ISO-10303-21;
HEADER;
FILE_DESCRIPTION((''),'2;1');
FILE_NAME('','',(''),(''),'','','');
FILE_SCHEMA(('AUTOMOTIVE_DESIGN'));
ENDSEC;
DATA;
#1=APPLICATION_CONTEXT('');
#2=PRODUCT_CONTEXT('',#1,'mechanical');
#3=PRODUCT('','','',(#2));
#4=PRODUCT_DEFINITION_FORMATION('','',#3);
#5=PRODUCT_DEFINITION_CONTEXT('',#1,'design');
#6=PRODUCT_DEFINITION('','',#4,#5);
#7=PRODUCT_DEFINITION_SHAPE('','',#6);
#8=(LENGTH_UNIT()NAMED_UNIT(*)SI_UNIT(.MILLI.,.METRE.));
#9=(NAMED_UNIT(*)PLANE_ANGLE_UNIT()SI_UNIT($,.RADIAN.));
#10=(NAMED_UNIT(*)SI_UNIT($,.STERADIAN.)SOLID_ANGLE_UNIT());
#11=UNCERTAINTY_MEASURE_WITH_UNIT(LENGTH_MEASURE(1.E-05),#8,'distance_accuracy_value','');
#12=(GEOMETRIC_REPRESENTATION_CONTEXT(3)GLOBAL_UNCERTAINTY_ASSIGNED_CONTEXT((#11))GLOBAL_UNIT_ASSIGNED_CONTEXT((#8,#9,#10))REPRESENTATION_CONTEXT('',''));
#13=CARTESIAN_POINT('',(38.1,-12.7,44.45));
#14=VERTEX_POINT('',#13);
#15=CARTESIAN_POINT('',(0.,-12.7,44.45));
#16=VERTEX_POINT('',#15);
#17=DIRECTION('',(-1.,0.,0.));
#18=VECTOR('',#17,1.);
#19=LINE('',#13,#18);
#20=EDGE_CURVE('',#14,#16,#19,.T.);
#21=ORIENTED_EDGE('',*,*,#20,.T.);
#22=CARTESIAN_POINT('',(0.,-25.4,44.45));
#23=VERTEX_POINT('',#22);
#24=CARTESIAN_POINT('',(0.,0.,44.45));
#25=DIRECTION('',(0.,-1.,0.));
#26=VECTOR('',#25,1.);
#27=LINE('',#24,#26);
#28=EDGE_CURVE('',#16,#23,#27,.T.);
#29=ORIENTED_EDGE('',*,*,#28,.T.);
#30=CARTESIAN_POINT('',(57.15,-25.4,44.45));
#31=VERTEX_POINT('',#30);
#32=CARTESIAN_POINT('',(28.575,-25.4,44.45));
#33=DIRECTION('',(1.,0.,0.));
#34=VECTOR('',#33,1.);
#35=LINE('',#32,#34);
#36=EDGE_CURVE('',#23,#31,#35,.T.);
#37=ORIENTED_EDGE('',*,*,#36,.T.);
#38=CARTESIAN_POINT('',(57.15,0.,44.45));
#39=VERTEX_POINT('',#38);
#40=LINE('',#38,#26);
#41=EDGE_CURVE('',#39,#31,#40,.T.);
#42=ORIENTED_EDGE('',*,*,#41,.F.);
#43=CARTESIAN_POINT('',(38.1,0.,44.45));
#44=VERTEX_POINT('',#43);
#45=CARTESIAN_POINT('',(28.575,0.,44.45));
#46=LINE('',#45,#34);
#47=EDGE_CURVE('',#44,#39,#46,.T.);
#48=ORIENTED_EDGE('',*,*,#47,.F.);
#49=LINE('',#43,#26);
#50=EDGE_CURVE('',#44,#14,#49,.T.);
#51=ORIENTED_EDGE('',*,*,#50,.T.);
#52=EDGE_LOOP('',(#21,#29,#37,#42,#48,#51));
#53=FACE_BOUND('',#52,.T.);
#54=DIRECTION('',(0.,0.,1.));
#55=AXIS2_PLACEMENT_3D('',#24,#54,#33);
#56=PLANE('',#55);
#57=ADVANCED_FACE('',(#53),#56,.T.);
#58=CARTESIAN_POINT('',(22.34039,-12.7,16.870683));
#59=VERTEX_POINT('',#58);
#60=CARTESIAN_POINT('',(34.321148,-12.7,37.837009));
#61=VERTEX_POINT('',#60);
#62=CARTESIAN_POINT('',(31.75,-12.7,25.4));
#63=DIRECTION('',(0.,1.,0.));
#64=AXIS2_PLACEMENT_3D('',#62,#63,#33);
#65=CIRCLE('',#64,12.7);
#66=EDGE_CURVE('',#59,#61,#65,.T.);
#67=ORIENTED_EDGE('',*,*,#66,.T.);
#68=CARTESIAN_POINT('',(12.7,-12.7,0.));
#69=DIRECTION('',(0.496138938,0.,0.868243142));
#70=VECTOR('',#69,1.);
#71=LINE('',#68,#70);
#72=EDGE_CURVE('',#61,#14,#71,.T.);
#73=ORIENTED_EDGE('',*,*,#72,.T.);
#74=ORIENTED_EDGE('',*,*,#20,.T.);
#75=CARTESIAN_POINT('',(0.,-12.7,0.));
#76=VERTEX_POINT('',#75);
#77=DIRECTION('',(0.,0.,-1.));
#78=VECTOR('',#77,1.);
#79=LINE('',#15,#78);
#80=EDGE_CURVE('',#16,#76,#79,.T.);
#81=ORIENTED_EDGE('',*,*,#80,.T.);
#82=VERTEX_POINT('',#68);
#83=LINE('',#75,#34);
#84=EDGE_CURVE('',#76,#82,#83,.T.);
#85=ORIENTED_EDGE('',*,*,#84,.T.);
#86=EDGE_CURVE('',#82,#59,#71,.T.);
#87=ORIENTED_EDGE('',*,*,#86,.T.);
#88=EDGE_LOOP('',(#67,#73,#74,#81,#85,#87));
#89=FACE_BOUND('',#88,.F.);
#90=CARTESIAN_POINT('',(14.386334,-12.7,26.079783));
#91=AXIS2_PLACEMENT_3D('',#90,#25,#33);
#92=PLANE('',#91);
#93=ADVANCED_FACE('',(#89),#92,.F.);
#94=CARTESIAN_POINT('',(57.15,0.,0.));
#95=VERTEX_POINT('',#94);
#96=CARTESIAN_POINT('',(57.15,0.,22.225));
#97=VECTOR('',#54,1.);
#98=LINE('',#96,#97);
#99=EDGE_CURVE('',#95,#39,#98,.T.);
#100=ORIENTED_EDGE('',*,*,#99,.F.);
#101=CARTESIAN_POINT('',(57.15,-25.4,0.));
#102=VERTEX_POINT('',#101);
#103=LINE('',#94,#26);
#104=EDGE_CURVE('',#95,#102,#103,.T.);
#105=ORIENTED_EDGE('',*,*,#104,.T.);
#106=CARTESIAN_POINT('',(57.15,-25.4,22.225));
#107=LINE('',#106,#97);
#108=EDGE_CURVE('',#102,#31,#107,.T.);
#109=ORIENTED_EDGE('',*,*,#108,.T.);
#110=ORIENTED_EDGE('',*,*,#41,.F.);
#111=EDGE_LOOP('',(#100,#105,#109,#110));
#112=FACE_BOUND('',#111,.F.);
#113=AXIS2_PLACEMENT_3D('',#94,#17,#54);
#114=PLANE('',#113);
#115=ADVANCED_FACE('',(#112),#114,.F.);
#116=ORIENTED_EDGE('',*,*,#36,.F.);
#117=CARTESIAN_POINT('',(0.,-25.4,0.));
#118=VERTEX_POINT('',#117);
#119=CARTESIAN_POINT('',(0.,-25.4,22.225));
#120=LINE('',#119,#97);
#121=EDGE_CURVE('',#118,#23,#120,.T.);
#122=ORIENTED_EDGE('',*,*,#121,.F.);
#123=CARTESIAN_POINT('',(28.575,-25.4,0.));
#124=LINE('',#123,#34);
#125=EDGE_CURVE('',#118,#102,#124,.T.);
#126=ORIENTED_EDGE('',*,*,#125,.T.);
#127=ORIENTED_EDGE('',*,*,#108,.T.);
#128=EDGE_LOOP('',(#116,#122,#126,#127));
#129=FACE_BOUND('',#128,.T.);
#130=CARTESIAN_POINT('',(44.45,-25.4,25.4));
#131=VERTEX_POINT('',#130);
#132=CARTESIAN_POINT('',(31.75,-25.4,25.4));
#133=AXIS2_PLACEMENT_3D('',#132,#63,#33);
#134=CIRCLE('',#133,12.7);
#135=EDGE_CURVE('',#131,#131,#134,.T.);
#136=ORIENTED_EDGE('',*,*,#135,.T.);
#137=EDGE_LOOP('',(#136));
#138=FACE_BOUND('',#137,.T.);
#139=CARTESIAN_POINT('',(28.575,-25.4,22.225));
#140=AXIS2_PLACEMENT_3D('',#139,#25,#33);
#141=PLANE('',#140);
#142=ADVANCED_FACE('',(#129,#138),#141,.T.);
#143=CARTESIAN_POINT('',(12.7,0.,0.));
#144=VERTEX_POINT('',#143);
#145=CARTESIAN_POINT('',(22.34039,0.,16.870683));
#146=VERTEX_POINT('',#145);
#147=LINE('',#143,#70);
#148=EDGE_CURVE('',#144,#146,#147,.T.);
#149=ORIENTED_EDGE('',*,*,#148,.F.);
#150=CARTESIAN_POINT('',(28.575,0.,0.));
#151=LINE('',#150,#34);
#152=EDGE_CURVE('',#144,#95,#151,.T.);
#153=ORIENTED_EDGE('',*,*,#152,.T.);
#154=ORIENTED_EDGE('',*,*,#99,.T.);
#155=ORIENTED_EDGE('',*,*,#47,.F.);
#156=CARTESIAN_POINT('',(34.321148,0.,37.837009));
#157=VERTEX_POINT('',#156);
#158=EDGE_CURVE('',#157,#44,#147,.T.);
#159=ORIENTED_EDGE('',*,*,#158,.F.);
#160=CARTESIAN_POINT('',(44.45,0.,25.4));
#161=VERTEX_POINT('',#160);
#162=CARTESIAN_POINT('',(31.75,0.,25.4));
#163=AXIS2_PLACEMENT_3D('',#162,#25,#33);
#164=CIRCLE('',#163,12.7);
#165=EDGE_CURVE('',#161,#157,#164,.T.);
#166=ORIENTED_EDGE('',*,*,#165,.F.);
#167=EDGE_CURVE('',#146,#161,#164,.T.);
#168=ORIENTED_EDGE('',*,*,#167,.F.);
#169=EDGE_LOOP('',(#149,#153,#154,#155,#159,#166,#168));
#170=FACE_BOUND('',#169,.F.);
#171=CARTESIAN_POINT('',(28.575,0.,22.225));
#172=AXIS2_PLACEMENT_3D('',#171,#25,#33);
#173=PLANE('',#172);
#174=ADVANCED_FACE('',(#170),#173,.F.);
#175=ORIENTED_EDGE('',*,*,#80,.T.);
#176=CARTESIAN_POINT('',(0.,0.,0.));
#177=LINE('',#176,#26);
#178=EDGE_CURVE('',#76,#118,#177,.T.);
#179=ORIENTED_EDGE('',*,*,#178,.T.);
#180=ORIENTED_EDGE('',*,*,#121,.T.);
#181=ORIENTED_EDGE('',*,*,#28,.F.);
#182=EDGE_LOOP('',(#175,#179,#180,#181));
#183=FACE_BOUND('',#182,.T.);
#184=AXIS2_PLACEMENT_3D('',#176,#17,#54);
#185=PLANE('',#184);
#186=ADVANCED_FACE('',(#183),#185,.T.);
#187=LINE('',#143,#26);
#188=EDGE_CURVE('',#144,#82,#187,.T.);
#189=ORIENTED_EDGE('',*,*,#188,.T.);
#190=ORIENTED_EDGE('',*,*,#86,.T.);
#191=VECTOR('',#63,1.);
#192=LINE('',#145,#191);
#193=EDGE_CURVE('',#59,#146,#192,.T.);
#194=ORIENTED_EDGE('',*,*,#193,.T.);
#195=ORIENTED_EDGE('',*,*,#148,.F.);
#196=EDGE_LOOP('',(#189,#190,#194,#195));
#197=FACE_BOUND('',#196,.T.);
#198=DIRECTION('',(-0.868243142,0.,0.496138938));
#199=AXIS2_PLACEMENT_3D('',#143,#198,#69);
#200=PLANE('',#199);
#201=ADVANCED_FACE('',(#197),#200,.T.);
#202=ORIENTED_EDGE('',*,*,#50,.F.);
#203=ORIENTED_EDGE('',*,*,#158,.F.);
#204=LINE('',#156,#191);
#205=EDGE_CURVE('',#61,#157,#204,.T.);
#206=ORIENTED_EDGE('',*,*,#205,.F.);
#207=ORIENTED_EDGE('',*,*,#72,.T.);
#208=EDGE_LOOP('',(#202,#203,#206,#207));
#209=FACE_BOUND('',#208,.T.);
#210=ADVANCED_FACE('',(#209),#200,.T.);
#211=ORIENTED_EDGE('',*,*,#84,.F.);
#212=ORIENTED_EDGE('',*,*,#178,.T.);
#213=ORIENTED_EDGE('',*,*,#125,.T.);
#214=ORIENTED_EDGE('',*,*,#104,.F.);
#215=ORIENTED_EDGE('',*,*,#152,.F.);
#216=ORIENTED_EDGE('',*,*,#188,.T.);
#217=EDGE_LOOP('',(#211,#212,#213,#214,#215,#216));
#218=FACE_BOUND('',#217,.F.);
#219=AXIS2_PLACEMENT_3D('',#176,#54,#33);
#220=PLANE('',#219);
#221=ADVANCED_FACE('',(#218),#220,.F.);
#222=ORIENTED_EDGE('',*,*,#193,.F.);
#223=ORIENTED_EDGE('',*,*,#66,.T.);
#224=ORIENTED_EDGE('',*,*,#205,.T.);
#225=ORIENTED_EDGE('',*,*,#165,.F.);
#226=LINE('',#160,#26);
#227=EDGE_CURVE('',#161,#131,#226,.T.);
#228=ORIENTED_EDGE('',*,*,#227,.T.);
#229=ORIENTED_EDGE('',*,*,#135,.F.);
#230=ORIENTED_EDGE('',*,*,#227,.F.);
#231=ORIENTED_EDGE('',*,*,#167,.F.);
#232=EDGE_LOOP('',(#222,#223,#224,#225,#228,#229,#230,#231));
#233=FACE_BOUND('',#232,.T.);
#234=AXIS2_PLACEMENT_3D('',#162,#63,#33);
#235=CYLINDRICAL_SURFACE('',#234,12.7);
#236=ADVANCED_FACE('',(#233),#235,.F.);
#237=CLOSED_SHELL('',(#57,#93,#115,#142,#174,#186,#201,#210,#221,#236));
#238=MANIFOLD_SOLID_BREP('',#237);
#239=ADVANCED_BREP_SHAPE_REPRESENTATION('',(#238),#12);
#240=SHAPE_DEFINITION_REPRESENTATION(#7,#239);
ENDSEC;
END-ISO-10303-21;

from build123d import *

# Parameters (mm, degrees)
F0_W     = 57.15
F0_H     = 44.45
F1_DEPTH = 25.4
F3_DEPTH = 12.7
F4_R     = 12.7
F5_DEPTH = 25.401


with BuildPart() as f1:
    # F0 (on Front) → F1 (new body)
    with BuildSketch(Plane.XZ):
        with Locations((28.575, 22.225)):
            Rectangle(F0_W, F0_H)
    extrude(amount=F1_DEPTH)

    # F2 (on Front) → F3 (cut)
    with BuildSketch(Plane.XZ):
        Polygon((0, 0), (12.7, 0), (38.1, 44.45), (0, 44.45), align=None)
    extrude(amount=F3_DEPTH, mode=Mode.SUBTRACT)

    # F4 (on Front) → F5 (cut, through all)
    with BuildSketch(Plane.XZ):
        with Locations((31.75, 25.4)):
            Circle(F4_R)
    extrude(amount=F5_DEPTH, mode=Mode.SUBTRACT)


solid = f1.part
